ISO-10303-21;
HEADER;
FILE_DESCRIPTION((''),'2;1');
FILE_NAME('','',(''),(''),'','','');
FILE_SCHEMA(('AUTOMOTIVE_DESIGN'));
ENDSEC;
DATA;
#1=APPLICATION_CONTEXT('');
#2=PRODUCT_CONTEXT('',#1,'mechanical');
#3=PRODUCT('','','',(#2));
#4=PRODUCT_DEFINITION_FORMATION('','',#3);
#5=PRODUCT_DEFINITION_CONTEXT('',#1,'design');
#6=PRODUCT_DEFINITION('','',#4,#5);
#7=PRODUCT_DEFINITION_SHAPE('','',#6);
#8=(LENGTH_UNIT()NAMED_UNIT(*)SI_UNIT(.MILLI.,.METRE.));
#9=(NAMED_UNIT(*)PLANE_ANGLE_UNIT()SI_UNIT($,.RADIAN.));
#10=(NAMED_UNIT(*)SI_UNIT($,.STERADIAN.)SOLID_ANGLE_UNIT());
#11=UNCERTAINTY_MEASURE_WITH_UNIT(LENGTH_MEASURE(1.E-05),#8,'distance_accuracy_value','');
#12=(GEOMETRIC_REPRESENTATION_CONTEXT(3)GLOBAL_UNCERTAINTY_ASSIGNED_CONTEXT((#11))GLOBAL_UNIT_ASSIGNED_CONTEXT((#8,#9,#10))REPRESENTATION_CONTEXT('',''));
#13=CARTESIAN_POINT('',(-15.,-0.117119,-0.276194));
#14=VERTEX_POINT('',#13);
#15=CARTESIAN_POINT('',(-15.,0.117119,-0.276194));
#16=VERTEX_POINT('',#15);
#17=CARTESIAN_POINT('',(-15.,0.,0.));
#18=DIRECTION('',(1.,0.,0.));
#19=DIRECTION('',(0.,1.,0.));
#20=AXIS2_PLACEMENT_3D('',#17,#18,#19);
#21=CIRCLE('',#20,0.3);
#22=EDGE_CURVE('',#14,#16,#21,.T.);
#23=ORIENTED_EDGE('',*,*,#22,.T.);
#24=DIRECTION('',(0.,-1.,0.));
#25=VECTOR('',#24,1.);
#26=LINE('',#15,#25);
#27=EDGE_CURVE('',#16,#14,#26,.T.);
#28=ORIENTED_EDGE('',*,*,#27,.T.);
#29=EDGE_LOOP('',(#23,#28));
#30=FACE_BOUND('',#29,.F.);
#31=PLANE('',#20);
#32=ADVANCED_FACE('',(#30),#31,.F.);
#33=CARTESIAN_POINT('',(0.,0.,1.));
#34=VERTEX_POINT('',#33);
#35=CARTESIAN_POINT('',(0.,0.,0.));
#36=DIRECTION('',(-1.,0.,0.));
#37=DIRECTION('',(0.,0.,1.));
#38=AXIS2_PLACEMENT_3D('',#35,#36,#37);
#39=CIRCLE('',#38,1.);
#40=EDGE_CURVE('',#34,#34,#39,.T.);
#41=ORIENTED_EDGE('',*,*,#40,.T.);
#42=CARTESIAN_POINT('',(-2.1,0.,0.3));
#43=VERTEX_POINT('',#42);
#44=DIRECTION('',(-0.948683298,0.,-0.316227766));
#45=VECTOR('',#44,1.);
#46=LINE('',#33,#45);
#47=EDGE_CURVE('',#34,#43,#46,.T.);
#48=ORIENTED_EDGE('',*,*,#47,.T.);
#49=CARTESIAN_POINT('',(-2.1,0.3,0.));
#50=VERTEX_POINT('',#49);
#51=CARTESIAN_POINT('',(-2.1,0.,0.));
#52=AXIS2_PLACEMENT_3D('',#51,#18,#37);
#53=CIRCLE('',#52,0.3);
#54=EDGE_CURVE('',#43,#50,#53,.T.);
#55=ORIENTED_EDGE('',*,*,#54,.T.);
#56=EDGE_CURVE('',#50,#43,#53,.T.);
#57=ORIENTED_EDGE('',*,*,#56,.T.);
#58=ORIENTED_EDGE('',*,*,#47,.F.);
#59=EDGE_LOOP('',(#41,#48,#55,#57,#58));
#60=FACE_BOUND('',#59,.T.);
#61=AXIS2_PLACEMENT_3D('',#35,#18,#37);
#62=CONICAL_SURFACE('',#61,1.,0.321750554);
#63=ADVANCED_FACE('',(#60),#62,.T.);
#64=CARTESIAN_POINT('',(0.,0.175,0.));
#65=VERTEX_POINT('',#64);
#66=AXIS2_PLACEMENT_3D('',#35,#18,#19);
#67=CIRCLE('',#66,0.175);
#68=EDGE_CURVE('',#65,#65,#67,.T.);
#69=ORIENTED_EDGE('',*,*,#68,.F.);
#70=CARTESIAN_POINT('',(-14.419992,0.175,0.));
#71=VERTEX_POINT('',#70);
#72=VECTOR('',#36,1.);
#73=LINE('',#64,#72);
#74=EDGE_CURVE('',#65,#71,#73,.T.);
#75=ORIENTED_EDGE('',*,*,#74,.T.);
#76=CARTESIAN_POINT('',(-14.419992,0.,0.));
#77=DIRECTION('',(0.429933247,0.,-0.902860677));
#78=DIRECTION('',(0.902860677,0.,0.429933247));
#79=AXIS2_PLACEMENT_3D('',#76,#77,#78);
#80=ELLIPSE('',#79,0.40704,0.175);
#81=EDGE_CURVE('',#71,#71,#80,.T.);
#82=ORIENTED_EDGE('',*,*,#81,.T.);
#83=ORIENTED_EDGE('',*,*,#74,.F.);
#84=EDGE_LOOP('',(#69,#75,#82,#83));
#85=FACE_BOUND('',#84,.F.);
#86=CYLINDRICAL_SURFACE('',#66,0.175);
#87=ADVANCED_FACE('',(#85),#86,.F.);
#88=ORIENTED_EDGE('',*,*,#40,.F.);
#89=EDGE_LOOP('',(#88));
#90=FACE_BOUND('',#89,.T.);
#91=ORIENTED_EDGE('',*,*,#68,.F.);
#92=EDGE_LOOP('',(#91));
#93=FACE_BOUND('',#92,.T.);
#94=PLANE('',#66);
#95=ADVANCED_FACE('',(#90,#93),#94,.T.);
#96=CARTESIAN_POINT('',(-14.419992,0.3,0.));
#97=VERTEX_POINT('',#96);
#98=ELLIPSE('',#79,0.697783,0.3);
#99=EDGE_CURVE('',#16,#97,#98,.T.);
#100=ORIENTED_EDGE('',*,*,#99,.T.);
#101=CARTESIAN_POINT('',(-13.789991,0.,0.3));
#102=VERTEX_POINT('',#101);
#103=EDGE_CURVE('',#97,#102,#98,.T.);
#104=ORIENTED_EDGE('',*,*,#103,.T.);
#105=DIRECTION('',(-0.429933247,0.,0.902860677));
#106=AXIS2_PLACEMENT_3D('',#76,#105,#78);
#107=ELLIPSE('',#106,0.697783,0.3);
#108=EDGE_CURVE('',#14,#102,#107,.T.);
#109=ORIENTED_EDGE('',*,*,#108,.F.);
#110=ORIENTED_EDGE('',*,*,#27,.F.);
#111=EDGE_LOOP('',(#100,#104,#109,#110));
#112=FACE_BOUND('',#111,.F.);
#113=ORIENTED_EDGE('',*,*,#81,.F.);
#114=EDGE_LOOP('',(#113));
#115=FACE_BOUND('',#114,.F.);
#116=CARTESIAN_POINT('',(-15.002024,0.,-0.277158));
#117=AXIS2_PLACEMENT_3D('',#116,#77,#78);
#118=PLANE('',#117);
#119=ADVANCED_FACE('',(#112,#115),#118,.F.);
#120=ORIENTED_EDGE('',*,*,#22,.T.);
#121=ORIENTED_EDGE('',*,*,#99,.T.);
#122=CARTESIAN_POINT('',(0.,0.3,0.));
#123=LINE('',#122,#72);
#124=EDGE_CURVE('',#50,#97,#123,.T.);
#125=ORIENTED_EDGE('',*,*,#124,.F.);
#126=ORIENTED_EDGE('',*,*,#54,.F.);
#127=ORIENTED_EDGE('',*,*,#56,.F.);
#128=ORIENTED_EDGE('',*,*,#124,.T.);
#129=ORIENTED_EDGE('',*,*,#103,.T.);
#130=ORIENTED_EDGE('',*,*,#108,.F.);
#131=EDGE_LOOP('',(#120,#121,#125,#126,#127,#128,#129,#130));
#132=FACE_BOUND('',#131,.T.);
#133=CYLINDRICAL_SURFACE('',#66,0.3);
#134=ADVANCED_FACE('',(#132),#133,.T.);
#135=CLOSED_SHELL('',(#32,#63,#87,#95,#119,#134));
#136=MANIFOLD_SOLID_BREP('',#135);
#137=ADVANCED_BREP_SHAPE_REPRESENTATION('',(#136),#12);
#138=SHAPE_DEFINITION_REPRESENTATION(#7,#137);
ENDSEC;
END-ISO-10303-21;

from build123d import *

# Parameters (mm, degrees)
F2_R     = 0.3
F3_DEPTH = 15
F5_DEPTH = 25
F6_DEPTH = 25
F7_R     = 0.175
F8_DEPTH = 25


with BuildPart() as f1:
    # F0 (on Front) → F1 (revolve)
    with BuildSketch(Plane.XZ):
        Polygon((-3, 0), (0, 0), (0, 1), align=None)
    revolve(axis=Axis((-1.5, 0, 0), (-1, 0, 0)))

    # F2 (on Right) → F3 (join)
    with BuildSketch(Plane.YZ):
        Circle(F2_R)
    extrude(amount=-F3_DEPTH)

    # F4 (on Front) → F5 (cut)
    with BuildSketch(Plane.XZ):
        Polygon((-15.222519, 0.32419), (-15.002024, -0.277158), (-13.739192, 0.32419), align=None)
    extrude(amount=-F5_DEPTH, mode=Mode.SUBTRACT)

    # F4 (on Front) → F6 (cut)
    with BuildSketch(Plane.XZ):
        Polygon((-15.222519, 0.32419), (-15.002024, -0.277158), (-13.739192, 0.32419), align=None)
    extrude(amount=F6_DEPTH, mode=Mode.SUBTRACT)

    # F7 (on face) → F8 (cut)
    with BuildSketch(Plane.YZ):
        Circle(F7_R)
    extrude(amount=-F8_DEPTH, mode=Mode.SUBTRACT)


solid = f1.part
